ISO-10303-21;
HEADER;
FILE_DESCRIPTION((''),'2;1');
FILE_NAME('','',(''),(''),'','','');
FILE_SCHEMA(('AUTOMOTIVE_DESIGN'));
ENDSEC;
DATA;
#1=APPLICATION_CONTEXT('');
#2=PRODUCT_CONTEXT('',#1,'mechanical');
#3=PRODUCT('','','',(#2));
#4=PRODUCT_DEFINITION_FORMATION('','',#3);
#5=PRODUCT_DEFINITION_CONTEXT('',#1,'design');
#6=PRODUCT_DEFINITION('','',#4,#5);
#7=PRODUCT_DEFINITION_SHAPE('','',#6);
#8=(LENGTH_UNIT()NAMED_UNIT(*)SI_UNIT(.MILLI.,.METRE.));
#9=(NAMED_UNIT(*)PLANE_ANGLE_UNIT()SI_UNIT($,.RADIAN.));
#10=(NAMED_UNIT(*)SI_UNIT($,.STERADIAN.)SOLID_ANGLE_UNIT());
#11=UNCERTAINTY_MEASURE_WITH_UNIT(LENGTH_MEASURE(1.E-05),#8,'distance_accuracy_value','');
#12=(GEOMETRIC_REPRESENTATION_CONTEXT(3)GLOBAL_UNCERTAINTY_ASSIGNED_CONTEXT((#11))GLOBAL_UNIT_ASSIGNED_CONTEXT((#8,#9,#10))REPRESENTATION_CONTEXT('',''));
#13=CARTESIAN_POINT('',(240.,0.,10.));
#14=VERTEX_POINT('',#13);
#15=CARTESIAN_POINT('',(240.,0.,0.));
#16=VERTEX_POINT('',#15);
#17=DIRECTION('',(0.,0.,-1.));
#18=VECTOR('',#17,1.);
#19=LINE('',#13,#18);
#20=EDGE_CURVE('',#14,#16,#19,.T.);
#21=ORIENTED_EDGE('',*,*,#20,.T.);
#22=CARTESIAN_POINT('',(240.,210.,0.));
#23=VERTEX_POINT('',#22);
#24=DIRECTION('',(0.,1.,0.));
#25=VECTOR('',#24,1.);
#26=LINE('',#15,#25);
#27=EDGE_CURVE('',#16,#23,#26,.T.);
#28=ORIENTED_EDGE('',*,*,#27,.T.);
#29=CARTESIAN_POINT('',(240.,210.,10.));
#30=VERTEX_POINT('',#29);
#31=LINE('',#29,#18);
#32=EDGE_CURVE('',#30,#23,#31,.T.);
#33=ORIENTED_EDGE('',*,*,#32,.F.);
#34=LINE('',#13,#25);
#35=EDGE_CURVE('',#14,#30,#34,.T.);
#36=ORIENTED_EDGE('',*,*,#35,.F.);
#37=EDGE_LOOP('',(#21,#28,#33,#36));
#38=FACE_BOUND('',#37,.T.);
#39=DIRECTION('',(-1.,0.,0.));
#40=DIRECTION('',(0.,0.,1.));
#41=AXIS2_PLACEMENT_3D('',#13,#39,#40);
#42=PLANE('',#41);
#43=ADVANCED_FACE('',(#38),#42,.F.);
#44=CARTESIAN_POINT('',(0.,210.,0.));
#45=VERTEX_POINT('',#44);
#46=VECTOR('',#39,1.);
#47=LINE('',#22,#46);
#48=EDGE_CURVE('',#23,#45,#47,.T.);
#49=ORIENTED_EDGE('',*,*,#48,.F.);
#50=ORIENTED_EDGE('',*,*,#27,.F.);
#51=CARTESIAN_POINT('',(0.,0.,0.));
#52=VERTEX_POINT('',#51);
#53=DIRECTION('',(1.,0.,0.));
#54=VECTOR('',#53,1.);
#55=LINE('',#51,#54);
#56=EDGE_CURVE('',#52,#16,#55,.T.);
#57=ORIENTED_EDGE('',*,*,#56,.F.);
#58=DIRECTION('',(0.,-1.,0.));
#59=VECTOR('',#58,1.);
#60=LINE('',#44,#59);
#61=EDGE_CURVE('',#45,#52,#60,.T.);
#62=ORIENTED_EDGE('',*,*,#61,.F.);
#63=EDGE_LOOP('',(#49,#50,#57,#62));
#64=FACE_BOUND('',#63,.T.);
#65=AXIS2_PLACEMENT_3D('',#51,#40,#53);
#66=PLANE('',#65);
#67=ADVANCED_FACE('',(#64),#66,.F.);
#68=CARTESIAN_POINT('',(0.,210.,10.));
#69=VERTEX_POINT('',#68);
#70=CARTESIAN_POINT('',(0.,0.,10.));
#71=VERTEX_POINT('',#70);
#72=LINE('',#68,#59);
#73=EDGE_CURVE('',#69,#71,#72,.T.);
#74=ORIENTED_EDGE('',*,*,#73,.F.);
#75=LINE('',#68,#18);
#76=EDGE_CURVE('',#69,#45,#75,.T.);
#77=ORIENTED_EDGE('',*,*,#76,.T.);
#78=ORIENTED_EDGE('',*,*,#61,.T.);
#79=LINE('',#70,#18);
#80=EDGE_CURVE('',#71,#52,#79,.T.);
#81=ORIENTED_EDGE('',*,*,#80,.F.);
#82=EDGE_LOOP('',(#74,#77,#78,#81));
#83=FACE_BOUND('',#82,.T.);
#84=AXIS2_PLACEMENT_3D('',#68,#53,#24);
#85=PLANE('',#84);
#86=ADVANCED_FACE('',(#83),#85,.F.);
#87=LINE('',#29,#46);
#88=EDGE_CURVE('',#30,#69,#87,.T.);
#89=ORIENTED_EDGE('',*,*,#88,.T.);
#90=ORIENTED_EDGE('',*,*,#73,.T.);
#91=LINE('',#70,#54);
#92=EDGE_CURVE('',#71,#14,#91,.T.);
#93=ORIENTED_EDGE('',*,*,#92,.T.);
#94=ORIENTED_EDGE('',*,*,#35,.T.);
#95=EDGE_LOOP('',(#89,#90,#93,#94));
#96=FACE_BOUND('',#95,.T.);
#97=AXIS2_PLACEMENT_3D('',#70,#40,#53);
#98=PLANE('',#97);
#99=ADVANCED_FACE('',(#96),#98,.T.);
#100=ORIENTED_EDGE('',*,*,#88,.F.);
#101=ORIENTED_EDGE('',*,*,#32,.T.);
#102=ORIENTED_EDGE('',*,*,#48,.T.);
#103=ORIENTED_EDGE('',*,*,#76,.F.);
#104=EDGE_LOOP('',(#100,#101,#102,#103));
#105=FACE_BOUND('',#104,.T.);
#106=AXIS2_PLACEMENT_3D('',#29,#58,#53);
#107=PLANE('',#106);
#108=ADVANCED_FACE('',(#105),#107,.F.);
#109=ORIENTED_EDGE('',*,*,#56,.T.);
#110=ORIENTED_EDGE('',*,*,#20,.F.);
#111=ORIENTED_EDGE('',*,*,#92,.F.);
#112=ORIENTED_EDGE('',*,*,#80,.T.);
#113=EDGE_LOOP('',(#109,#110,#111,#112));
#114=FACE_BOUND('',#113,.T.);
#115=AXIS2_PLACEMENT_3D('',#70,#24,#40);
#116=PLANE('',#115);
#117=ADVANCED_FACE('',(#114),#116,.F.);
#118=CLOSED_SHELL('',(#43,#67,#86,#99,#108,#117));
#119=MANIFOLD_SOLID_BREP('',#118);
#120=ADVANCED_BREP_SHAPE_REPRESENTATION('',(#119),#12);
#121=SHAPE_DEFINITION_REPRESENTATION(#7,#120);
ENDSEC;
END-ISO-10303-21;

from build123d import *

# Parameters (mm, degrees)
CROQUIS1_W              = 240
CROQUIS1_H              = 210
SALIENTE_EXTRUIR1_DEPTH = 10


with BuildPart() as part:
    # Croquis1 → Saliente-Extruir1 (new body)
    with BuildSketch(Plane.XY):
        with Locations((120, 105)):
            Rectangle(CROQUIS1_W, CROQUIS1_H)
    extrude(amount=SALIENTE_EXTRUIR1_DEPTH)


solid = part.part
